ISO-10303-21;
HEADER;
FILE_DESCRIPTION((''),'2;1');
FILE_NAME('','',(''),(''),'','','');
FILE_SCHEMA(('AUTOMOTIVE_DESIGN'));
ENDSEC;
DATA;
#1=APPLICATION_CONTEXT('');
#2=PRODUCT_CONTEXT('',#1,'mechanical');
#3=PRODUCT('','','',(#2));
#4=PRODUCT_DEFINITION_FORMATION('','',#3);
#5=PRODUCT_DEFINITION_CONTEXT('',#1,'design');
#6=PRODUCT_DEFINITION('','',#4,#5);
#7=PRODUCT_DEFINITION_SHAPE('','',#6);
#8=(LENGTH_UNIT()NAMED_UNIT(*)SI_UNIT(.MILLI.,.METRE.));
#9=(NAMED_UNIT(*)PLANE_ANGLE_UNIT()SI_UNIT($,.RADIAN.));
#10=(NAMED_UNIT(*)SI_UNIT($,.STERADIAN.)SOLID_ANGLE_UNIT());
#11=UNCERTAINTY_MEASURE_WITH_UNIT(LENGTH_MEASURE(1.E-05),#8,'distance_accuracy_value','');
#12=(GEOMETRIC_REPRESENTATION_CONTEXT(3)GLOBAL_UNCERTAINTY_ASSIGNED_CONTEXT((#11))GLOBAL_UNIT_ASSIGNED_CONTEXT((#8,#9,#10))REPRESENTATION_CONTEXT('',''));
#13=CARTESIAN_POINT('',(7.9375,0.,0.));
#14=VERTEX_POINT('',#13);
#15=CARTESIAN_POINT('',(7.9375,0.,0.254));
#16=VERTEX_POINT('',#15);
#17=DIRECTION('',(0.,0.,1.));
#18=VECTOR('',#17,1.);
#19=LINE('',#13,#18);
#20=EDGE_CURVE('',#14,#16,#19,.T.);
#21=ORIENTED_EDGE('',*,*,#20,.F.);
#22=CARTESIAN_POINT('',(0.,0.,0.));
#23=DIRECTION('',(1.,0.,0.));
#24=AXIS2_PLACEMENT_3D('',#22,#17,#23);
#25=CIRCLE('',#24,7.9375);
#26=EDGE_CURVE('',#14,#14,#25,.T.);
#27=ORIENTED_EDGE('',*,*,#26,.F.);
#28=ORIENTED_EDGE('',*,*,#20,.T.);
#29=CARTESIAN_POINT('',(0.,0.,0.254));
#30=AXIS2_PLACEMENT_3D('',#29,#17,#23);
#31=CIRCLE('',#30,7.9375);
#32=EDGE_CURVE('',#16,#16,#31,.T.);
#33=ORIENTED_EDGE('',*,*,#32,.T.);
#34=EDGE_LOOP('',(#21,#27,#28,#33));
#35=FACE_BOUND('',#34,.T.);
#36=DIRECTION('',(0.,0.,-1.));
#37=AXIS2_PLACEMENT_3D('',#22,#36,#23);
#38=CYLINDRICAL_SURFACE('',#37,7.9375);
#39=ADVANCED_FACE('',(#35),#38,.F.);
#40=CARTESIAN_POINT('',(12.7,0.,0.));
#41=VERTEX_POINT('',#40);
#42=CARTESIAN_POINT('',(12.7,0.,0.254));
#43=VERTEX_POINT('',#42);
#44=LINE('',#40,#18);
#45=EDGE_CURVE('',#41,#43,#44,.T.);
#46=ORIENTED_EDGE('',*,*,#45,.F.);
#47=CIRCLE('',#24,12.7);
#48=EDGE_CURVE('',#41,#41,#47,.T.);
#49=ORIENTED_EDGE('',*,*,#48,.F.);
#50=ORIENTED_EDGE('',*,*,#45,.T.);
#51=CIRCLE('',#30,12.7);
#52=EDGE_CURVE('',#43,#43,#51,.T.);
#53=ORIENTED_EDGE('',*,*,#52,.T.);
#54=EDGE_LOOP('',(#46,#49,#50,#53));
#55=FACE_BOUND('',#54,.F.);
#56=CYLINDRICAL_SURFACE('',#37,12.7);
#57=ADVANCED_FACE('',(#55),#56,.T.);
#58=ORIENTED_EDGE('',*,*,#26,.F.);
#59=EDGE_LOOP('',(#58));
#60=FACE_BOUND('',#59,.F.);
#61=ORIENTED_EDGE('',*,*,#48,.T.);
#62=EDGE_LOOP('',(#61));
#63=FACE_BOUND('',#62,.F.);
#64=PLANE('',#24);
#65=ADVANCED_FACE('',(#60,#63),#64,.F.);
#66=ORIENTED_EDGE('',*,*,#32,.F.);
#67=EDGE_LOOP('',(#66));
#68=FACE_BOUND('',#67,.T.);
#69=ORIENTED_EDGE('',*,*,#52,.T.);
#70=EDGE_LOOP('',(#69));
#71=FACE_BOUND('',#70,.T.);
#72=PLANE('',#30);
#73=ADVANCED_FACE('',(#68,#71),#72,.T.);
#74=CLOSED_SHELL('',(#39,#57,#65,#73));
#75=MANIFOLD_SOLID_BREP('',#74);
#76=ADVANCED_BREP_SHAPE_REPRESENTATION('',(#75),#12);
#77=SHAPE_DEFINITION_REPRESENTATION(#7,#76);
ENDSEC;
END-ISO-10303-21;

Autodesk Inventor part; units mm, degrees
ref_plane "YZ Plane" through (0, 0, 0) normal (1, 0, 0) x (0, 1, 0)
ref_plane "XZ Plane" through (0, 0, 0) normal (0, 1, 0) x (-1, 0, 0)
ref_plane "XY Plane" through (0, 0, 0) normal (0, 0, 1) x (1, 0, 0)
sketch "Sketch1" plane through (0, 0, 0) normal (0, 0, 1) x (1, 0, 0)
  circle A0 centre (0, 0) radius 7.9375
  circle A1 centre (0, 0) radius 12.7
  dimension "d0" = 15.875
  dimension "d1" = 25.4
extrude "Extrusion1" add sketch "Sketch1" along normal blind 0.254
properties part number "Shim 10 thou .625 Bore"
